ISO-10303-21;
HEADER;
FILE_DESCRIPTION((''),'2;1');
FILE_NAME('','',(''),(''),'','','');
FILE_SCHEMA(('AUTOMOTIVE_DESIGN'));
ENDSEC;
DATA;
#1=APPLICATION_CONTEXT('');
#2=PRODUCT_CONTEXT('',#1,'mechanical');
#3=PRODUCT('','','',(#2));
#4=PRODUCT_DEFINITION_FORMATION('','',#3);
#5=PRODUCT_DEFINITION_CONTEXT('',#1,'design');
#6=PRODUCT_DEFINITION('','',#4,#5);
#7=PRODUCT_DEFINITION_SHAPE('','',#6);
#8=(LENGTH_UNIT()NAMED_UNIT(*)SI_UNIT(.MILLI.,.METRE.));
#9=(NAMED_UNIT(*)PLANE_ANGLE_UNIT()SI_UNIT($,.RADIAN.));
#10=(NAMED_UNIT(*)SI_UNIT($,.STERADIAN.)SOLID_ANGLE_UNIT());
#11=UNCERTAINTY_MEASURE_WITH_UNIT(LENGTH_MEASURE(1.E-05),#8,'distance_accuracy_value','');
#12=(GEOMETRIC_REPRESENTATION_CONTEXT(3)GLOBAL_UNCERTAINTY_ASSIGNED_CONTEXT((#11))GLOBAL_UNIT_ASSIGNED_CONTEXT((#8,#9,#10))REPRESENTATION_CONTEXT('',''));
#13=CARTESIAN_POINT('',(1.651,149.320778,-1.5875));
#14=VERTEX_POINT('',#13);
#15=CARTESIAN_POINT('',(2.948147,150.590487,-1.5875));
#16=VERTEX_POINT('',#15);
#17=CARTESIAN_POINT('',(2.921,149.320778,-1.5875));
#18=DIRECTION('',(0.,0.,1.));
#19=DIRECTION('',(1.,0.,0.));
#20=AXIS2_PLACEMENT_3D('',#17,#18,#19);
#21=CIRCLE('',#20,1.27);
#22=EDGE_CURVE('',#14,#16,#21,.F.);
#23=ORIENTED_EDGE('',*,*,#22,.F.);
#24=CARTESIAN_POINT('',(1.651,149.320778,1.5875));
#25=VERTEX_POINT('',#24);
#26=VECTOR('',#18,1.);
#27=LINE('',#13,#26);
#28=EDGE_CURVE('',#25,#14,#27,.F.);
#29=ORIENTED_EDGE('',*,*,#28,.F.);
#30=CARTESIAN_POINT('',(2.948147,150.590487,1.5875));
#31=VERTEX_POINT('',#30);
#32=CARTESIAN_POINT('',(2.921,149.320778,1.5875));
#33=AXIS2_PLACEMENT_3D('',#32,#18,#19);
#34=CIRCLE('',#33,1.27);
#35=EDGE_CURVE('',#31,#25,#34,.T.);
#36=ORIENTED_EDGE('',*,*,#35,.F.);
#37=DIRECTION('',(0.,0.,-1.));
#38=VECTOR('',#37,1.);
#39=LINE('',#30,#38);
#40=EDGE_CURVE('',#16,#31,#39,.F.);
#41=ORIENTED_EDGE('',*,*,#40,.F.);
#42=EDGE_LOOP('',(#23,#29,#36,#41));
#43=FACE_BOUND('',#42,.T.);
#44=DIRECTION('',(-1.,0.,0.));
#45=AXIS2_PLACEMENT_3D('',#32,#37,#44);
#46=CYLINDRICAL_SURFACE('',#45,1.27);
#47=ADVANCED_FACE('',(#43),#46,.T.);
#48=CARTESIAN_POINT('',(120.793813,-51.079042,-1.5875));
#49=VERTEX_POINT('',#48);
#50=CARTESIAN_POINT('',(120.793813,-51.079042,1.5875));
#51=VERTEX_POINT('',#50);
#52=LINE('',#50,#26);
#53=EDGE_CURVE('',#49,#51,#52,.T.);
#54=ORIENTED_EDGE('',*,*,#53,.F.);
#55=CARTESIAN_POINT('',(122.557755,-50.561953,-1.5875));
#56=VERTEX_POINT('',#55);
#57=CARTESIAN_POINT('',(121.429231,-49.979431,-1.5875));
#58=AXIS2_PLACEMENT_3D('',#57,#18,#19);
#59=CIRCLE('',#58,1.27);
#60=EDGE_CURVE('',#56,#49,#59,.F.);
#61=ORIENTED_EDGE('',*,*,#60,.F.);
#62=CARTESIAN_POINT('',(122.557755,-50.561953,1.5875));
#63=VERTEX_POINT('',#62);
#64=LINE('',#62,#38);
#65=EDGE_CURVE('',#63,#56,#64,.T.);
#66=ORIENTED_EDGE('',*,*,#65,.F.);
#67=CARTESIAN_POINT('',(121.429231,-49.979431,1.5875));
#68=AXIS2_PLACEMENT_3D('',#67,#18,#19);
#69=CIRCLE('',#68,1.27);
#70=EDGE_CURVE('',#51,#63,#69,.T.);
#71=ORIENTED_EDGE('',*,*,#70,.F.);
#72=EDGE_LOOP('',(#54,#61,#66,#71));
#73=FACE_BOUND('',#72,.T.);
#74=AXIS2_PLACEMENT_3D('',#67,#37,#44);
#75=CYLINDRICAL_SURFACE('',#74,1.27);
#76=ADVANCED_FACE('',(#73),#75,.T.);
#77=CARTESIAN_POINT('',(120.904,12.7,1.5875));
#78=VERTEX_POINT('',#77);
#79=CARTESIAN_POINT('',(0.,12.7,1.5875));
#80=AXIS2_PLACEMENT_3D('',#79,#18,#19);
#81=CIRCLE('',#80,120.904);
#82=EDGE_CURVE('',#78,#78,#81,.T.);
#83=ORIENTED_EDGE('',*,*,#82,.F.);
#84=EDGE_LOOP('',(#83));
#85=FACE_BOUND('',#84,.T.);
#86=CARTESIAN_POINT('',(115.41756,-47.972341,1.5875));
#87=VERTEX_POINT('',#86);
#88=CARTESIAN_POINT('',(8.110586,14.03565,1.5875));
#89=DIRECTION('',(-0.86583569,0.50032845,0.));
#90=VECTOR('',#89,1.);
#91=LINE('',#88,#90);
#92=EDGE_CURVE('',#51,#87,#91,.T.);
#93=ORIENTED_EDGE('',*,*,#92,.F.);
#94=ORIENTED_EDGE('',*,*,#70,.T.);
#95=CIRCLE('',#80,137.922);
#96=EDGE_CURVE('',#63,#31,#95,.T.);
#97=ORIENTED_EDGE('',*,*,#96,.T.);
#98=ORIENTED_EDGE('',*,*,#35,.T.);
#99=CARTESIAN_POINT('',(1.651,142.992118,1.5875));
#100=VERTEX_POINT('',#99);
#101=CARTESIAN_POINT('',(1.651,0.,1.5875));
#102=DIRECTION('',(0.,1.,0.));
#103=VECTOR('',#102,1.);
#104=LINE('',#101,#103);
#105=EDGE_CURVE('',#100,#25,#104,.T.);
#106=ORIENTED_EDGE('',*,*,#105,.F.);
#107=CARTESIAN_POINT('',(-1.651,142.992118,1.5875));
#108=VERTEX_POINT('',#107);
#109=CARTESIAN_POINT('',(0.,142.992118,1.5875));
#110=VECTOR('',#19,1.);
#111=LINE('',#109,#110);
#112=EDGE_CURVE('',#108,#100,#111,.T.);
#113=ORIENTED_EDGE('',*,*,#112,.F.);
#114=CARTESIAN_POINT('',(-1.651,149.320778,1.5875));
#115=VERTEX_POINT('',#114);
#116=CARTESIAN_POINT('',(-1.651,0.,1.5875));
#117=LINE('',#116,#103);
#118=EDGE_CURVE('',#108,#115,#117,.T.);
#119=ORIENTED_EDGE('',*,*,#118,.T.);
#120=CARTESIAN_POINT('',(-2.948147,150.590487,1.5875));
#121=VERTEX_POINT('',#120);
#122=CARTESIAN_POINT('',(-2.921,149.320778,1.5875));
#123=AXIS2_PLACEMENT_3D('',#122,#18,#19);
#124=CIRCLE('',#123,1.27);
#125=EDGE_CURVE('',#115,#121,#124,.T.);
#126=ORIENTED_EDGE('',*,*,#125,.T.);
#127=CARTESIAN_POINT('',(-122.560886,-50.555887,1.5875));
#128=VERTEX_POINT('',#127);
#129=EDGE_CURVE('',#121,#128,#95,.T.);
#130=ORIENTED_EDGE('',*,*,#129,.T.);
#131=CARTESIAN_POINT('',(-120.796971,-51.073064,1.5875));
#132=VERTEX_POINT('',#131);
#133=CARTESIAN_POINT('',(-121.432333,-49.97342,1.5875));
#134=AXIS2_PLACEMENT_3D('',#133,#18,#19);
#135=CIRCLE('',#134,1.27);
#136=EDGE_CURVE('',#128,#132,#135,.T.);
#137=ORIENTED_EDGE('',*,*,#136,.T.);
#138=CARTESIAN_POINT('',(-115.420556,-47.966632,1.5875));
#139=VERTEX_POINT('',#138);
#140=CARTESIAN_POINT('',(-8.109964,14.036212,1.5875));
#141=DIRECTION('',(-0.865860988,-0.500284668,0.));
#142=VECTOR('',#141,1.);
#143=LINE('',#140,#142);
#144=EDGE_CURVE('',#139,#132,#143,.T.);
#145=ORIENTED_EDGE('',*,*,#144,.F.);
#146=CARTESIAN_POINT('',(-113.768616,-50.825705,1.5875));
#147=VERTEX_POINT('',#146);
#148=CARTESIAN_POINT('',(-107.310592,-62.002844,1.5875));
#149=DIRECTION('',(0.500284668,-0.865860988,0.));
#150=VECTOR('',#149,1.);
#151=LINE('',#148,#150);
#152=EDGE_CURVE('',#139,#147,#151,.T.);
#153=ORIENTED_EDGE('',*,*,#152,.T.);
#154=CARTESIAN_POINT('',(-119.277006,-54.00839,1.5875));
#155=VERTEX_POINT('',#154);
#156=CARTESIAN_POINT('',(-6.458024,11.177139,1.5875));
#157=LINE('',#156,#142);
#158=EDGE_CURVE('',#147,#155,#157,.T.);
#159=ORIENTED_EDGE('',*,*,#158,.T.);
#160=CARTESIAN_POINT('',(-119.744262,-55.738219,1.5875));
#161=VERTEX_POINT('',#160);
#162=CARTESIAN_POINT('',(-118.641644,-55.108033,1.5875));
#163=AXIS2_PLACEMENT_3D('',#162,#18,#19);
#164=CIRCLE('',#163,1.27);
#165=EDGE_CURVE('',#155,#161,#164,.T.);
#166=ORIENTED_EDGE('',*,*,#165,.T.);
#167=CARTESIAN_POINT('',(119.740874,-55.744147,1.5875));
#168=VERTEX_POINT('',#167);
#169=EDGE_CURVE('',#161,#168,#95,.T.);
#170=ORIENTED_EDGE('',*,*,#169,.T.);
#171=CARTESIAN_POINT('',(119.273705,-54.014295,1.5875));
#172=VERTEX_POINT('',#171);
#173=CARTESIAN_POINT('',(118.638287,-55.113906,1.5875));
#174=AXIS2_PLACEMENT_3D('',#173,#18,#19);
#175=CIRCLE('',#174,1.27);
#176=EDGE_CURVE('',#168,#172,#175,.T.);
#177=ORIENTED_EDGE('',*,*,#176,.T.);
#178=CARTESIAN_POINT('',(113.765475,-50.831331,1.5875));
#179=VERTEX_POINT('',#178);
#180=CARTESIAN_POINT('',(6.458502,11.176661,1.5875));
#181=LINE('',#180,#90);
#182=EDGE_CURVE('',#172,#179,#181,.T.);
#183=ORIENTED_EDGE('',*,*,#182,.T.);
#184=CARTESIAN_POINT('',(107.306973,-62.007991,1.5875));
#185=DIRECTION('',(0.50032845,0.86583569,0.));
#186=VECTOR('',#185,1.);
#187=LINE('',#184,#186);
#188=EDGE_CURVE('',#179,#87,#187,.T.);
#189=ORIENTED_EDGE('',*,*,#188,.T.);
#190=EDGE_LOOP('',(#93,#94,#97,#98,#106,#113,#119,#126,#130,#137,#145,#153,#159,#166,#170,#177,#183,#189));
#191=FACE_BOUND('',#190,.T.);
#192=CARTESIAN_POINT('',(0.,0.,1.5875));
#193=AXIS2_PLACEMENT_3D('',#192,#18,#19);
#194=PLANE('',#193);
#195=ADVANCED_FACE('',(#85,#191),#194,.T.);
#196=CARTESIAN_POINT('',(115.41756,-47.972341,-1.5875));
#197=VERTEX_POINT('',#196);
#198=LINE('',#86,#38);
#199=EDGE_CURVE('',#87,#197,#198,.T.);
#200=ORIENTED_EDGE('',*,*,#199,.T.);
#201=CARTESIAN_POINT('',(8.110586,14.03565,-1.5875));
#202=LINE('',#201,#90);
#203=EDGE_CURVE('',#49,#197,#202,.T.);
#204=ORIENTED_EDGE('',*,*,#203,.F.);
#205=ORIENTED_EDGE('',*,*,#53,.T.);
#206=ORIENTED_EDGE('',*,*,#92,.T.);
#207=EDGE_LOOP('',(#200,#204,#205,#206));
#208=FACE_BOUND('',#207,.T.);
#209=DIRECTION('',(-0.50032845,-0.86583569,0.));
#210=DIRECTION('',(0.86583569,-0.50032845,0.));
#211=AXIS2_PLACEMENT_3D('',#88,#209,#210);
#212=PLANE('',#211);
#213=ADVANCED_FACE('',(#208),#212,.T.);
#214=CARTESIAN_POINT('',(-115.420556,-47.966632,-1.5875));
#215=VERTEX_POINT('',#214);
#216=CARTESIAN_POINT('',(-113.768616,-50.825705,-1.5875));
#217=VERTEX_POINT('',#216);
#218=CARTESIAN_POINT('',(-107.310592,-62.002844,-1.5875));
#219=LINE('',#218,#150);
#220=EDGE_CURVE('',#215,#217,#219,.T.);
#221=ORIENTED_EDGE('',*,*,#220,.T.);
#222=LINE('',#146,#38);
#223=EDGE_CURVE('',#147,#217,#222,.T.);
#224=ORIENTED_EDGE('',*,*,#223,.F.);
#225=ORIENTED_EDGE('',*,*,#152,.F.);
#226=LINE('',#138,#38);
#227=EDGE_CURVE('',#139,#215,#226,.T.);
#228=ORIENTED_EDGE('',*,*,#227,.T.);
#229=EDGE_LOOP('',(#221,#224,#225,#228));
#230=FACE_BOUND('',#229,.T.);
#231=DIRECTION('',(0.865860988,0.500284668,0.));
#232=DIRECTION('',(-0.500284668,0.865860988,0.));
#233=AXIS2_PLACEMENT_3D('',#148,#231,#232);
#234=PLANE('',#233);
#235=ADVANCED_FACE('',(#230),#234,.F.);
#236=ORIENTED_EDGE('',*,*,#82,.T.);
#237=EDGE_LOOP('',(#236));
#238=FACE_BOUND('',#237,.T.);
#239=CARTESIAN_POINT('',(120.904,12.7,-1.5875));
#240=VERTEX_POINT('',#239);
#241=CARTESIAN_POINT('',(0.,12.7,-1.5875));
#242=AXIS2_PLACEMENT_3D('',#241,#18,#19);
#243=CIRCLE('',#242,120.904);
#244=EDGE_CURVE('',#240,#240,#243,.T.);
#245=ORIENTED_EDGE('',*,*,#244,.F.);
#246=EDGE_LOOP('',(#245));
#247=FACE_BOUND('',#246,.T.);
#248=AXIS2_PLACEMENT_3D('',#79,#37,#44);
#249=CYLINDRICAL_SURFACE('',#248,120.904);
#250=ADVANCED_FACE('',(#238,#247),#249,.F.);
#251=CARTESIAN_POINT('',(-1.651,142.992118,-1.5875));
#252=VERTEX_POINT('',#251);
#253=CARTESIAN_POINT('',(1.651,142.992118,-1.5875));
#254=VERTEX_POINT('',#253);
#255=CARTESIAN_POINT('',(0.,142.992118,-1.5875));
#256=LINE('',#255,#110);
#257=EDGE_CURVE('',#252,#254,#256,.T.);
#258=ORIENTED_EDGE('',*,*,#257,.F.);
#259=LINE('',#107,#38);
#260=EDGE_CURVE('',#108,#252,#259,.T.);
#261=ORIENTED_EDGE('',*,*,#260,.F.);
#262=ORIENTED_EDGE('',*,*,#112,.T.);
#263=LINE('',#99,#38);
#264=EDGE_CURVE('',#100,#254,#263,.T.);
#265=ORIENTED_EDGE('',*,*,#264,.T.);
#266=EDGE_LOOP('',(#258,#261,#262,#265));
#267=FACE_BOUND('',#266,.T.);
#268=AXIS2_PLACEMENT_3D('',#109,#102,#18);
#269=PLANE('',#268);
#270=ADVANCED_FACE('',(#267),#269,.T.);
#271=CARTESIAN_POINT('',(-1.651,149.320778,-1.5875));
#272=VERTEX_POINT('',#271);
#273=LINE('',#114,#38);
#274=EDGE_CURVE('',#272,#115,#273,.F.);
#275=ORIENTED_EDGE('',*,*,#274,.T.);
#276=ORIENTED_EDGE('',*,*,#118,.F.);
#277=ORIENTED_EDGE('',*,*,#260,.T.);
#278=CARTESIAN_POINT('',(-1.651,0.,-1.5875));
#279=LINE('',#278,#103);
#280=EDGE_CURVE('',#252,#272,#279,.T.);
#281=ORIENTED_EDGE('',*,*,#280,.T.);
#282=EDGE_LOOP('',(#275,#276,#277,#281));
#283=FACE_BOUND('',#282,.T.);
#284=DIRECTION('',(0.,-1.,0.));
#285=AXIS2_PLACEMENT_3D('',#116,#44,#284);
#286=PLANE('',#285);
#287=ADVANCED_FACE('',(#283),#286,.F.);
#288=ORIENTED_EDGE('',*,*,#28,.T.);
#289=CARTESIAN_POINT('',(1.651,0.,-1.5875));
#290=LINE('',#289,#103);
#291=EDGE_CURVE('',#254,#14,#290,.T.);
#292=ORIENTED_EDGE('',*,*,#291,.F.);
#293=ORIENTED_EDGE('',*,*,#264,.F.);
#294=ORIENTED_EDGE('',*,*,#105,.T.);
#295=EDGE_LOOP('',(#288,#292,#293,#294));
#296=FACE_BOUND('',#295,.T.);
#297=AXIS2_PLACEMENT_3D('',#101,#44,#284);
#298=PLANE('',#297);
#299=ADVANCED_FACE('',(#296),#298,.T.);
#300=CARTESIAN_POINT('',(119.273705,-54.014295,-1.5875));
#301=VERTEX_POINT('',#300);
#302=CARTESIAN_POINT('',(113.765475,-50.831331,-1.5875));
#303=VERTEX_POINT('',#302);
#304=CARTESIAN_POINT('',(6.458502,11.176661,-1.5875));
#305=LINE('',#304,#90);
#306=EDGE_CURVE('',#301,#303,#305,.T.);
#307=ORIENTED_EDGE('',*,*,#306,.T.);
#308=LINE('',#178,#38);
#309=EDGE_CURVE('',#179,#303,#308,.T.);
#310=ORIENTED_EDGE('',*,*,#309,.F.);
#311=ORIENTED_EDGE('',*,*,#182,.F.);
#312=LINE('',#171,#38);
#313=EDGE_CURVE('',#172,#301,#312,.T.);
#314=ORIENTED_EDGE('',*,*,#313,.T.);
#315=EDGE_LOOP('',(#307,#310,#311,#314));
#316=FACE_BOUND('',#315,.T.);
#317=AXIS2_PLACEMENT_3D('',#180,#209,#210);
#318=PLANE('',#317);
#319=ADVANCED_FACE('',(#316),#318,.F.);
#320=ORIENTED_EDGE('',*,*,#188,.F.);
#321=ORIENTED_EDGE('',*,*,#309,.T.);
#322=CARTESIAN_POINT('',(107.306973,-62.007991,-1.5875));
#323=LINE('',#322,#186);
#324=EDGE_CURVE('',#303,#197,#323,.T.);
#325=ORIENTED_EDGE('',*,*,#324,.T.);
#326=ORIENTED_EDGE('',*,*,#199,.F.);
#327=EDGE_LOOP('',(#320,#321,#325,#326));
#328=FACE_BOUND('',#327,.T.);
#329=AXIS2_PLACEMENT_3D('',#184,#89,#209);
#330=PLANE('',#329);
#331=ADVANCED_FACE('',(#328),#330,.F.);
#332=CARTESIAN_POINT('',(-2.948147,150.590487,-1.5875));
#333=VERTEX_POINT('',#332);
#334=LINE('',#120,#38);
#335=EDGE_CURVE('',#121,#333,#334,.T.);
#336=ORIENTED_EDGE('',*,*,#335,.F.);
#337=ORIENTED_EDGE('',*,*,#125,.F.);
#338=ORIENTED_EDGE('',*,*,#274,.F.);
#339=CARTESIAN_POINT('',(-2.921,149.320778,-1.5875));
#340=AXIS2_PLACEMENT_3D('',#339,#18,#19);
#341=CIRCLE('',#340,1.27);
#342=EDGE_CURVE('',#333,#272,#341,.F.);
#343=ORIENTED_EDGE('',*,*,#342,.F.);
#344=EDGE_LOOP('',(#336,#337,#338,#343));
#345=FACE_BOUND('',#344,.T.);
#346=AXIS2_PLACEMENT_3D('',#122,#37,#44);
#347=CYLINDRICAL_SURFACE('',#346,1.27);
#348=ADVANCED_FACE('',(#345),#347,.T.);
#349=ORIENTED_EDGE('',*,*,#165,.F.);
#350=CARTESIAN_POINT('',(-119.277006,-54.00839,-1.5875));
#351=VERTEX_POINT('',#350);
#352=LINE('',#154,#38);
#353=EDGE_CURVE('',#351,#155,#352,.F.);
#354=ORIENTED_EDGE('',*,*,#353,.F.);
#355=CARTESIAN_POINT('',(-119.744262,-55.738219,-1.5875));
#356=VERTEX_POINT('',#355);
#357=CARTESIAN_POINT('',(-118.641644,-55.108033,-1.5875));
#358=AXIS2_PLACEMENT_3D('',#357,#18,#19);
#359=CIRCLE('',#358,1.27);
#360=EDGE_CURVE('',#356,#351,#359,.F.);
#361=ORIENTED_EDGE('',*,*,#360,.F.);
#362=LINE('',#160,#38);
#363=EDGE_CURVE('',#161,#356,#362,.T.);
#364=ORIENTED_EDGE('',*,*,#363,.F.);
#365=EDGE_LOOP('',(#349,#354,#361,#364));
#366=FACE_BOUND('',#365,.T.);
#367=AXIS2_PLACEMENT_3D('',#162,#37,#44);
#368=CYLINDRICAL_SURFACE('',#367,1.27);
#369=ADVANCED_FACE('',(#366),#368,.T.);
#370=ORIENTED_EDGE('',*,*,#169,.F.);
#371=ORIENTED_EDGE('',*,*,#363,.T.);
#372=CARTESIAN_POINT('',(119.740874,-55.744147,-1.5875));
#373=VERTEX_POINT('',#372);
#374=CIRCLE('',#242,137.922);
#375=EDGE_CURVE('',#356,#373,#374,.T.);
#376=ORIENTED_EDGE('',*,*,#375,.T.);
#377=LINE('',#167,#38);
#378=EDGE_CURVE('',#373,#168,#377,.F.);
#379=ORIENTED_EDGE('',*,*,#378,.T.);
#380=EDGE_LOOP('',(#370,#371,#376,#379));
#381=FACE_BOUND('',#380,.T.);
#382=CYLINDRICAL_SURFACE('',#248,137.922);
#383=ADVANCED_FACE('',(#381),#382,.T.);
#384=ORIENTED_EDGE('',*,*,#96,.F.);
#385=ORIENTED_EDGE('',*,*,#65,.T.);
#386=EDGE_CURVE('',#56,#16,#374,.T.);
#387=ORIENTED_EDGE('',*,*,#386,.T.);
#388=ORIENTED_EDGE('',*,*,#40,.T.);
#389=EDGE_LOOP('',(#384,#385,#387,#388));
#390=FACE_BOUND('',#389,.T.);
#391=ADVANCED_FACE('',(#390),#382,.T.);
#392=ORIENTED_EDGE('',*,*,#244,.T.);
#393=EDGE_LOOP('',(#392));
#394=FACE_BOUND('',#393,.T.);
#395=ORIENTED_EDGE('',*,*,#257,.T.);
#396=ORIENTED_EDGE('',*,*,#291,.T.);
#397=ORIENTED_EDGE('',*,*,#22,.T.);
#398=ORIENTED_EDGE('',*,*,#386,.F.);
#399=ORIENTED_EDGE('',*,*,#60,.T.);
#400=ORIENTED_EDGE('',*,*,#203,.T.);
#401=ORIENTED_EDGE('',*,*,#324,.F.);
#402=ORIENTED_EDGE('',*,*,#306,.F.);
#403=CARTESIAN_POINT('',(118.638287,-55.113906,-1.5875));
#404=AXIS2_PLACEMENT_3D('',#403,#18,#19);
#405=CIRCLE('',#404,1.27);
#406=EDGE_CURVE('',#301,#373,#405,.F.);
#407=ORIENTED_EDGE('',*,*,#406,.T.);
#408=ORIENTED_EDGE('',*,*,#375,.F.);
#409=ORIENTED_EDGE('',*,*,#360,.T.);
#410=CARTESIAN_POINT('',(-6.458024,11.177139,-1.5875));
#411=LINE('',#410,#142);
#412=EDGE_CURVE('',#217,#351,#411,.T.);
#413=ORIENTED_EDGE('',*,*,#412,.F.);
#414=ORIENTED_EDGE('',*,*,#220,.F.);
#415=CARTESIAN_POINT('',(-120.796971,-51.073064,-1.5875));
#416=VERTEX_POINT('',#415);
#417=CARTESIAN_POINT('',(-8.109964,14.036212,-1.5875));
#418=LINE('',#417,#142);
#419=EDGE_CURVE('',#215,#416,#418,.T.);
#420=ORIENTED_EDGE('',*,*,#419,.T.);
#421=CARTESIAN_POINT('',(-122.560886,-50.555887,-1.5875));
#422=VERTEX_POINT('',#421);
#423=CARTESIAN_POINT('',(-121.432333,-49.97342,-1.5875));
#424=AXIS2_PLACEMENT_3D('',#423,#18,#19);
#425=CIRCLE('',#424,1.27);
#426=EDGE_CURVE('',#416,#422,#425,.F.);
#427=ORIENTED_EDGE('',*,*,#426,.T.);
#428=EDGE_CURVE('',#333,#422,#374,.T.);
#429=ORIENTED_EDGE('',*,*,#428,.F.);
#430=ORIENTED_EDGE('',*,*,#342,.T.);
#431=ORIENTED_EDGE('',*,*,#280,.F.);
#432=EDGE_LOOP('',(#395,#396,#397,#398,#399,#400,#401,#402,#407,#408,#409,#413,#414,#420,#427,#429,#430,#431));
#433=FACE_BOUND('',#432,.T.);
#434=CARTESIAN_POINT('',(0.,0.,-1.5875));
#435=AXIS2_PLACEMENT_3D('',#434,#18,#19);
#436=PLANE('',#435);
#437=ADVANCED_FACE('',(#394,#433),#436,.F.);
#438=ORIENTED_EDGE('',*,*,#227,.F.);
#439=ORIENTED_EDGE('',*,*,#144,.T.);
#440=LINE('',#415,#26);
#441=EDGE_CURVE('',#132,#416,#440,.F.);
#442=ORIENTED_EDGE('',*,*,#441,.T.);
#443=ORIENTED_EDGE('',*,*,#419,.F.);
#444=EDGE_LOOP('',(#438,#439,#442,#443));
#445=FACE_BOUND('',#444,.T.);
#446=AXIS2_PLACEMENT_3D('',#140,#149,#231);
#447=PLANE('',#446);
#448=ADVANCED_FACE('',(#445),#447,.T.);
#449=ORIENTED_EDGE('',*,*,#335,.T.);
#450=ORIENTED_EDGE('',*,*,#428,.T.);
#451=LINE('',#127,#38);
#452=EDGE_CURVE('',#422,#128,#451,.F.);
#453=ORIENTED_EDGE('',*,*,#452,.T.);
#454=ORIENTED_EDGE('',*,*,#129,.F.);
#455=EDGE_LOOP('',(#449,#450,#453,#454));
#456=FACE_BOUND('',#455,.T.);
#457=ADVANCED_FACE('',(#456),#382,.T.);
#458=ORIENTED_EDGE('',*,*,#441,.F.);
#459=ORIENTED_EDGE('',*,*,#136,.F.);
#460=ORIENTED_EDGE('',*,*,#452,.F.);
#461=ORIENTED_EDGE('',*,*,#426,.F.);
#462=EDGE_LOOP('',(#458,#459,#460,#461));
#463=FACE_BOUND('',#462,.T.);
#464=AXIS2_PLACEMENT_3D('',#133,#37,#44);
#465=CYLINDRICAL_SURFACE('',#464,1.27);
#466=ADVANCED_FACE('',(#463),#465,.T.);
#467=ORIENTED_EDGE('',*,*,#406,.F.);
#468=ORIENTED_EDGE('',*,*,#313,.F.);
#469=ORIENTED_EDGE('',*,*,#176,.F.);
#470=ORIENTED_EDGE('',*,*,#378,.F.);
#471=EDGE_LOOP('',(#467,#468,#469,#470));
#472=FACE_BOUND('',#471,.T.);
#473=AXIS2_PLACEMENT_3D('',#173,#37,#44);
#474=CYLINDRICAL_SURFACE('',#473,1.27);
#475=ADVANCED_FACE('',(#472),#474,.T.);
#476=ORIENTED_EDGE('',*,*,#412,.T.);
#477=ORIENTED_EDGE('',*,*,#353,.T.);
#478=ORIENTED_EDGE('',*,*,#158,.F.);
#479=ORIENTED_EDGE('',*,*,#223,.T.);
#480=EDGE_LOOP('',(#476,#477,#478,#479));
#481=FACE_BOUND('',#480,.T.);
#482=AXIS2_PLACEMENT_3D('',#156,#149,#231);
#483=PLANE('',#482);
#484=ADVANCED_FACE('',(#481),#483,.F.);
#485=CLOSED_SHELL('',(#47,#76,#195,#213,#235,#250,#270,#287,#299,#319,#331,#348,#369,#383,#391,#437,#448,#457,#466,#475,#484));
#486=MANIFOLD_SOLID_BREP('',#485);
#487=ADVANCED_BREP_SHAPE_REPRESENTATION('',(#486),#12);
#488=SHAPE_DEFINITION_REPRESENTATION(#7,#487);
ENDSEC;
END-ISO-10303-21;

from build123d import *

# Parameters (mm, degrees)
SKETCH1_R           = 120.904
BOSS_EXTRUDE1_DEPTH = 1.5875
FILLET1_R           = 1.27


with BuildPart() as part:
    # Sketch1 → Boss-Extrude1 (new, symmetric)
    with BuildSketch(Plane.XY):
        with BuildLine():
            Line((-1.651, 142.99211797), (-1.651, 150.61211797))
            ThreePointArc((-1.651, 150.61211797), (-116.726759893, 86.166601996), (-125.058359506, -45.462572171))
            ThreePointArc((-125.058359506, -45.462572171), (-124.706816881, -46.212544567), (-124.350776736, -46.960392298))
            ThreePointArc((-124.350776736, -46.960392298), (-123.990582669, -47.705409471), (-123.625925064, -48.44825211))
            ThreePointArc((-123.625925064, -48.44825211), (-122.796227949, -50.097806374), (-121.944521887, -51.736105296))
            Line((-121.944521887, -51.736105296), (-115.42055631, -47.966631906))
            Line((-115.42055631, -47.966631906), (-113.768616335, -50.825704889))
            Line((-113.768616335, -50.825704889), (-120.366477065, -54.63787406))
            ThreePointArc((-120.366477065, -54.63787406), (-0.003414242, -125.221999958), (120.363143036, -54.643833293))
            Line((120.363143036, -54.643833293), (113.765475078, -50.831330502))
            Line((113.765475078, -50.831330502), (115.417559621, -47.972341054))
            Line((115.417559621, -47.972341054), (121.941331564, -51.742142581))
            ThreePointArc((121.941331564, -51.742142581), (122.79307438, -50.103972552), (123.622811136, -48.454547263))
            ThreePointArc((123.622811136, -48.454547263), (123.987506557, -47.711723215), (124.347738551, -46.966724405))
            ThreePointArc((124.347738551, -46.966724405), (124.703816766, -46.218894831), (125.055397569, -45.468940362))
            ThreePointArc((125.055397569, -45.468940362), (116.728630401, 86.163629972), (1.651, 150.61211797))
            Line((1.651, 150.61211797), (1.651, 142.99211797))
            Line((1.651, 142.99211797), (-1.651, 142.99211797))
        make_face()
        with Locations((0, 12.7)):
            Circle(SKETCH1_R, mode=Mode.SUBTRACT)
    extrude(amount=BOSS_EXTRUDE1_DEPTH, both=True)

    # Fillet1
    fillet1_edges = [part.edges().sort_by_distance(p)[0] for p in [
        (120.363143036, -54.643833293, 0),
        (-120.366477065, -54.63787406, 0),
        (-121.944521887, -51.736105296, 0),
        (-1.651, 150.61211797, 0),
        (1.651, 150.61211797, 0),
        (121.941331564, -51.742142581, 0),
    ]]
    fillet(fillet1_edges, radius=FILLET1_R)


solid = part.part
